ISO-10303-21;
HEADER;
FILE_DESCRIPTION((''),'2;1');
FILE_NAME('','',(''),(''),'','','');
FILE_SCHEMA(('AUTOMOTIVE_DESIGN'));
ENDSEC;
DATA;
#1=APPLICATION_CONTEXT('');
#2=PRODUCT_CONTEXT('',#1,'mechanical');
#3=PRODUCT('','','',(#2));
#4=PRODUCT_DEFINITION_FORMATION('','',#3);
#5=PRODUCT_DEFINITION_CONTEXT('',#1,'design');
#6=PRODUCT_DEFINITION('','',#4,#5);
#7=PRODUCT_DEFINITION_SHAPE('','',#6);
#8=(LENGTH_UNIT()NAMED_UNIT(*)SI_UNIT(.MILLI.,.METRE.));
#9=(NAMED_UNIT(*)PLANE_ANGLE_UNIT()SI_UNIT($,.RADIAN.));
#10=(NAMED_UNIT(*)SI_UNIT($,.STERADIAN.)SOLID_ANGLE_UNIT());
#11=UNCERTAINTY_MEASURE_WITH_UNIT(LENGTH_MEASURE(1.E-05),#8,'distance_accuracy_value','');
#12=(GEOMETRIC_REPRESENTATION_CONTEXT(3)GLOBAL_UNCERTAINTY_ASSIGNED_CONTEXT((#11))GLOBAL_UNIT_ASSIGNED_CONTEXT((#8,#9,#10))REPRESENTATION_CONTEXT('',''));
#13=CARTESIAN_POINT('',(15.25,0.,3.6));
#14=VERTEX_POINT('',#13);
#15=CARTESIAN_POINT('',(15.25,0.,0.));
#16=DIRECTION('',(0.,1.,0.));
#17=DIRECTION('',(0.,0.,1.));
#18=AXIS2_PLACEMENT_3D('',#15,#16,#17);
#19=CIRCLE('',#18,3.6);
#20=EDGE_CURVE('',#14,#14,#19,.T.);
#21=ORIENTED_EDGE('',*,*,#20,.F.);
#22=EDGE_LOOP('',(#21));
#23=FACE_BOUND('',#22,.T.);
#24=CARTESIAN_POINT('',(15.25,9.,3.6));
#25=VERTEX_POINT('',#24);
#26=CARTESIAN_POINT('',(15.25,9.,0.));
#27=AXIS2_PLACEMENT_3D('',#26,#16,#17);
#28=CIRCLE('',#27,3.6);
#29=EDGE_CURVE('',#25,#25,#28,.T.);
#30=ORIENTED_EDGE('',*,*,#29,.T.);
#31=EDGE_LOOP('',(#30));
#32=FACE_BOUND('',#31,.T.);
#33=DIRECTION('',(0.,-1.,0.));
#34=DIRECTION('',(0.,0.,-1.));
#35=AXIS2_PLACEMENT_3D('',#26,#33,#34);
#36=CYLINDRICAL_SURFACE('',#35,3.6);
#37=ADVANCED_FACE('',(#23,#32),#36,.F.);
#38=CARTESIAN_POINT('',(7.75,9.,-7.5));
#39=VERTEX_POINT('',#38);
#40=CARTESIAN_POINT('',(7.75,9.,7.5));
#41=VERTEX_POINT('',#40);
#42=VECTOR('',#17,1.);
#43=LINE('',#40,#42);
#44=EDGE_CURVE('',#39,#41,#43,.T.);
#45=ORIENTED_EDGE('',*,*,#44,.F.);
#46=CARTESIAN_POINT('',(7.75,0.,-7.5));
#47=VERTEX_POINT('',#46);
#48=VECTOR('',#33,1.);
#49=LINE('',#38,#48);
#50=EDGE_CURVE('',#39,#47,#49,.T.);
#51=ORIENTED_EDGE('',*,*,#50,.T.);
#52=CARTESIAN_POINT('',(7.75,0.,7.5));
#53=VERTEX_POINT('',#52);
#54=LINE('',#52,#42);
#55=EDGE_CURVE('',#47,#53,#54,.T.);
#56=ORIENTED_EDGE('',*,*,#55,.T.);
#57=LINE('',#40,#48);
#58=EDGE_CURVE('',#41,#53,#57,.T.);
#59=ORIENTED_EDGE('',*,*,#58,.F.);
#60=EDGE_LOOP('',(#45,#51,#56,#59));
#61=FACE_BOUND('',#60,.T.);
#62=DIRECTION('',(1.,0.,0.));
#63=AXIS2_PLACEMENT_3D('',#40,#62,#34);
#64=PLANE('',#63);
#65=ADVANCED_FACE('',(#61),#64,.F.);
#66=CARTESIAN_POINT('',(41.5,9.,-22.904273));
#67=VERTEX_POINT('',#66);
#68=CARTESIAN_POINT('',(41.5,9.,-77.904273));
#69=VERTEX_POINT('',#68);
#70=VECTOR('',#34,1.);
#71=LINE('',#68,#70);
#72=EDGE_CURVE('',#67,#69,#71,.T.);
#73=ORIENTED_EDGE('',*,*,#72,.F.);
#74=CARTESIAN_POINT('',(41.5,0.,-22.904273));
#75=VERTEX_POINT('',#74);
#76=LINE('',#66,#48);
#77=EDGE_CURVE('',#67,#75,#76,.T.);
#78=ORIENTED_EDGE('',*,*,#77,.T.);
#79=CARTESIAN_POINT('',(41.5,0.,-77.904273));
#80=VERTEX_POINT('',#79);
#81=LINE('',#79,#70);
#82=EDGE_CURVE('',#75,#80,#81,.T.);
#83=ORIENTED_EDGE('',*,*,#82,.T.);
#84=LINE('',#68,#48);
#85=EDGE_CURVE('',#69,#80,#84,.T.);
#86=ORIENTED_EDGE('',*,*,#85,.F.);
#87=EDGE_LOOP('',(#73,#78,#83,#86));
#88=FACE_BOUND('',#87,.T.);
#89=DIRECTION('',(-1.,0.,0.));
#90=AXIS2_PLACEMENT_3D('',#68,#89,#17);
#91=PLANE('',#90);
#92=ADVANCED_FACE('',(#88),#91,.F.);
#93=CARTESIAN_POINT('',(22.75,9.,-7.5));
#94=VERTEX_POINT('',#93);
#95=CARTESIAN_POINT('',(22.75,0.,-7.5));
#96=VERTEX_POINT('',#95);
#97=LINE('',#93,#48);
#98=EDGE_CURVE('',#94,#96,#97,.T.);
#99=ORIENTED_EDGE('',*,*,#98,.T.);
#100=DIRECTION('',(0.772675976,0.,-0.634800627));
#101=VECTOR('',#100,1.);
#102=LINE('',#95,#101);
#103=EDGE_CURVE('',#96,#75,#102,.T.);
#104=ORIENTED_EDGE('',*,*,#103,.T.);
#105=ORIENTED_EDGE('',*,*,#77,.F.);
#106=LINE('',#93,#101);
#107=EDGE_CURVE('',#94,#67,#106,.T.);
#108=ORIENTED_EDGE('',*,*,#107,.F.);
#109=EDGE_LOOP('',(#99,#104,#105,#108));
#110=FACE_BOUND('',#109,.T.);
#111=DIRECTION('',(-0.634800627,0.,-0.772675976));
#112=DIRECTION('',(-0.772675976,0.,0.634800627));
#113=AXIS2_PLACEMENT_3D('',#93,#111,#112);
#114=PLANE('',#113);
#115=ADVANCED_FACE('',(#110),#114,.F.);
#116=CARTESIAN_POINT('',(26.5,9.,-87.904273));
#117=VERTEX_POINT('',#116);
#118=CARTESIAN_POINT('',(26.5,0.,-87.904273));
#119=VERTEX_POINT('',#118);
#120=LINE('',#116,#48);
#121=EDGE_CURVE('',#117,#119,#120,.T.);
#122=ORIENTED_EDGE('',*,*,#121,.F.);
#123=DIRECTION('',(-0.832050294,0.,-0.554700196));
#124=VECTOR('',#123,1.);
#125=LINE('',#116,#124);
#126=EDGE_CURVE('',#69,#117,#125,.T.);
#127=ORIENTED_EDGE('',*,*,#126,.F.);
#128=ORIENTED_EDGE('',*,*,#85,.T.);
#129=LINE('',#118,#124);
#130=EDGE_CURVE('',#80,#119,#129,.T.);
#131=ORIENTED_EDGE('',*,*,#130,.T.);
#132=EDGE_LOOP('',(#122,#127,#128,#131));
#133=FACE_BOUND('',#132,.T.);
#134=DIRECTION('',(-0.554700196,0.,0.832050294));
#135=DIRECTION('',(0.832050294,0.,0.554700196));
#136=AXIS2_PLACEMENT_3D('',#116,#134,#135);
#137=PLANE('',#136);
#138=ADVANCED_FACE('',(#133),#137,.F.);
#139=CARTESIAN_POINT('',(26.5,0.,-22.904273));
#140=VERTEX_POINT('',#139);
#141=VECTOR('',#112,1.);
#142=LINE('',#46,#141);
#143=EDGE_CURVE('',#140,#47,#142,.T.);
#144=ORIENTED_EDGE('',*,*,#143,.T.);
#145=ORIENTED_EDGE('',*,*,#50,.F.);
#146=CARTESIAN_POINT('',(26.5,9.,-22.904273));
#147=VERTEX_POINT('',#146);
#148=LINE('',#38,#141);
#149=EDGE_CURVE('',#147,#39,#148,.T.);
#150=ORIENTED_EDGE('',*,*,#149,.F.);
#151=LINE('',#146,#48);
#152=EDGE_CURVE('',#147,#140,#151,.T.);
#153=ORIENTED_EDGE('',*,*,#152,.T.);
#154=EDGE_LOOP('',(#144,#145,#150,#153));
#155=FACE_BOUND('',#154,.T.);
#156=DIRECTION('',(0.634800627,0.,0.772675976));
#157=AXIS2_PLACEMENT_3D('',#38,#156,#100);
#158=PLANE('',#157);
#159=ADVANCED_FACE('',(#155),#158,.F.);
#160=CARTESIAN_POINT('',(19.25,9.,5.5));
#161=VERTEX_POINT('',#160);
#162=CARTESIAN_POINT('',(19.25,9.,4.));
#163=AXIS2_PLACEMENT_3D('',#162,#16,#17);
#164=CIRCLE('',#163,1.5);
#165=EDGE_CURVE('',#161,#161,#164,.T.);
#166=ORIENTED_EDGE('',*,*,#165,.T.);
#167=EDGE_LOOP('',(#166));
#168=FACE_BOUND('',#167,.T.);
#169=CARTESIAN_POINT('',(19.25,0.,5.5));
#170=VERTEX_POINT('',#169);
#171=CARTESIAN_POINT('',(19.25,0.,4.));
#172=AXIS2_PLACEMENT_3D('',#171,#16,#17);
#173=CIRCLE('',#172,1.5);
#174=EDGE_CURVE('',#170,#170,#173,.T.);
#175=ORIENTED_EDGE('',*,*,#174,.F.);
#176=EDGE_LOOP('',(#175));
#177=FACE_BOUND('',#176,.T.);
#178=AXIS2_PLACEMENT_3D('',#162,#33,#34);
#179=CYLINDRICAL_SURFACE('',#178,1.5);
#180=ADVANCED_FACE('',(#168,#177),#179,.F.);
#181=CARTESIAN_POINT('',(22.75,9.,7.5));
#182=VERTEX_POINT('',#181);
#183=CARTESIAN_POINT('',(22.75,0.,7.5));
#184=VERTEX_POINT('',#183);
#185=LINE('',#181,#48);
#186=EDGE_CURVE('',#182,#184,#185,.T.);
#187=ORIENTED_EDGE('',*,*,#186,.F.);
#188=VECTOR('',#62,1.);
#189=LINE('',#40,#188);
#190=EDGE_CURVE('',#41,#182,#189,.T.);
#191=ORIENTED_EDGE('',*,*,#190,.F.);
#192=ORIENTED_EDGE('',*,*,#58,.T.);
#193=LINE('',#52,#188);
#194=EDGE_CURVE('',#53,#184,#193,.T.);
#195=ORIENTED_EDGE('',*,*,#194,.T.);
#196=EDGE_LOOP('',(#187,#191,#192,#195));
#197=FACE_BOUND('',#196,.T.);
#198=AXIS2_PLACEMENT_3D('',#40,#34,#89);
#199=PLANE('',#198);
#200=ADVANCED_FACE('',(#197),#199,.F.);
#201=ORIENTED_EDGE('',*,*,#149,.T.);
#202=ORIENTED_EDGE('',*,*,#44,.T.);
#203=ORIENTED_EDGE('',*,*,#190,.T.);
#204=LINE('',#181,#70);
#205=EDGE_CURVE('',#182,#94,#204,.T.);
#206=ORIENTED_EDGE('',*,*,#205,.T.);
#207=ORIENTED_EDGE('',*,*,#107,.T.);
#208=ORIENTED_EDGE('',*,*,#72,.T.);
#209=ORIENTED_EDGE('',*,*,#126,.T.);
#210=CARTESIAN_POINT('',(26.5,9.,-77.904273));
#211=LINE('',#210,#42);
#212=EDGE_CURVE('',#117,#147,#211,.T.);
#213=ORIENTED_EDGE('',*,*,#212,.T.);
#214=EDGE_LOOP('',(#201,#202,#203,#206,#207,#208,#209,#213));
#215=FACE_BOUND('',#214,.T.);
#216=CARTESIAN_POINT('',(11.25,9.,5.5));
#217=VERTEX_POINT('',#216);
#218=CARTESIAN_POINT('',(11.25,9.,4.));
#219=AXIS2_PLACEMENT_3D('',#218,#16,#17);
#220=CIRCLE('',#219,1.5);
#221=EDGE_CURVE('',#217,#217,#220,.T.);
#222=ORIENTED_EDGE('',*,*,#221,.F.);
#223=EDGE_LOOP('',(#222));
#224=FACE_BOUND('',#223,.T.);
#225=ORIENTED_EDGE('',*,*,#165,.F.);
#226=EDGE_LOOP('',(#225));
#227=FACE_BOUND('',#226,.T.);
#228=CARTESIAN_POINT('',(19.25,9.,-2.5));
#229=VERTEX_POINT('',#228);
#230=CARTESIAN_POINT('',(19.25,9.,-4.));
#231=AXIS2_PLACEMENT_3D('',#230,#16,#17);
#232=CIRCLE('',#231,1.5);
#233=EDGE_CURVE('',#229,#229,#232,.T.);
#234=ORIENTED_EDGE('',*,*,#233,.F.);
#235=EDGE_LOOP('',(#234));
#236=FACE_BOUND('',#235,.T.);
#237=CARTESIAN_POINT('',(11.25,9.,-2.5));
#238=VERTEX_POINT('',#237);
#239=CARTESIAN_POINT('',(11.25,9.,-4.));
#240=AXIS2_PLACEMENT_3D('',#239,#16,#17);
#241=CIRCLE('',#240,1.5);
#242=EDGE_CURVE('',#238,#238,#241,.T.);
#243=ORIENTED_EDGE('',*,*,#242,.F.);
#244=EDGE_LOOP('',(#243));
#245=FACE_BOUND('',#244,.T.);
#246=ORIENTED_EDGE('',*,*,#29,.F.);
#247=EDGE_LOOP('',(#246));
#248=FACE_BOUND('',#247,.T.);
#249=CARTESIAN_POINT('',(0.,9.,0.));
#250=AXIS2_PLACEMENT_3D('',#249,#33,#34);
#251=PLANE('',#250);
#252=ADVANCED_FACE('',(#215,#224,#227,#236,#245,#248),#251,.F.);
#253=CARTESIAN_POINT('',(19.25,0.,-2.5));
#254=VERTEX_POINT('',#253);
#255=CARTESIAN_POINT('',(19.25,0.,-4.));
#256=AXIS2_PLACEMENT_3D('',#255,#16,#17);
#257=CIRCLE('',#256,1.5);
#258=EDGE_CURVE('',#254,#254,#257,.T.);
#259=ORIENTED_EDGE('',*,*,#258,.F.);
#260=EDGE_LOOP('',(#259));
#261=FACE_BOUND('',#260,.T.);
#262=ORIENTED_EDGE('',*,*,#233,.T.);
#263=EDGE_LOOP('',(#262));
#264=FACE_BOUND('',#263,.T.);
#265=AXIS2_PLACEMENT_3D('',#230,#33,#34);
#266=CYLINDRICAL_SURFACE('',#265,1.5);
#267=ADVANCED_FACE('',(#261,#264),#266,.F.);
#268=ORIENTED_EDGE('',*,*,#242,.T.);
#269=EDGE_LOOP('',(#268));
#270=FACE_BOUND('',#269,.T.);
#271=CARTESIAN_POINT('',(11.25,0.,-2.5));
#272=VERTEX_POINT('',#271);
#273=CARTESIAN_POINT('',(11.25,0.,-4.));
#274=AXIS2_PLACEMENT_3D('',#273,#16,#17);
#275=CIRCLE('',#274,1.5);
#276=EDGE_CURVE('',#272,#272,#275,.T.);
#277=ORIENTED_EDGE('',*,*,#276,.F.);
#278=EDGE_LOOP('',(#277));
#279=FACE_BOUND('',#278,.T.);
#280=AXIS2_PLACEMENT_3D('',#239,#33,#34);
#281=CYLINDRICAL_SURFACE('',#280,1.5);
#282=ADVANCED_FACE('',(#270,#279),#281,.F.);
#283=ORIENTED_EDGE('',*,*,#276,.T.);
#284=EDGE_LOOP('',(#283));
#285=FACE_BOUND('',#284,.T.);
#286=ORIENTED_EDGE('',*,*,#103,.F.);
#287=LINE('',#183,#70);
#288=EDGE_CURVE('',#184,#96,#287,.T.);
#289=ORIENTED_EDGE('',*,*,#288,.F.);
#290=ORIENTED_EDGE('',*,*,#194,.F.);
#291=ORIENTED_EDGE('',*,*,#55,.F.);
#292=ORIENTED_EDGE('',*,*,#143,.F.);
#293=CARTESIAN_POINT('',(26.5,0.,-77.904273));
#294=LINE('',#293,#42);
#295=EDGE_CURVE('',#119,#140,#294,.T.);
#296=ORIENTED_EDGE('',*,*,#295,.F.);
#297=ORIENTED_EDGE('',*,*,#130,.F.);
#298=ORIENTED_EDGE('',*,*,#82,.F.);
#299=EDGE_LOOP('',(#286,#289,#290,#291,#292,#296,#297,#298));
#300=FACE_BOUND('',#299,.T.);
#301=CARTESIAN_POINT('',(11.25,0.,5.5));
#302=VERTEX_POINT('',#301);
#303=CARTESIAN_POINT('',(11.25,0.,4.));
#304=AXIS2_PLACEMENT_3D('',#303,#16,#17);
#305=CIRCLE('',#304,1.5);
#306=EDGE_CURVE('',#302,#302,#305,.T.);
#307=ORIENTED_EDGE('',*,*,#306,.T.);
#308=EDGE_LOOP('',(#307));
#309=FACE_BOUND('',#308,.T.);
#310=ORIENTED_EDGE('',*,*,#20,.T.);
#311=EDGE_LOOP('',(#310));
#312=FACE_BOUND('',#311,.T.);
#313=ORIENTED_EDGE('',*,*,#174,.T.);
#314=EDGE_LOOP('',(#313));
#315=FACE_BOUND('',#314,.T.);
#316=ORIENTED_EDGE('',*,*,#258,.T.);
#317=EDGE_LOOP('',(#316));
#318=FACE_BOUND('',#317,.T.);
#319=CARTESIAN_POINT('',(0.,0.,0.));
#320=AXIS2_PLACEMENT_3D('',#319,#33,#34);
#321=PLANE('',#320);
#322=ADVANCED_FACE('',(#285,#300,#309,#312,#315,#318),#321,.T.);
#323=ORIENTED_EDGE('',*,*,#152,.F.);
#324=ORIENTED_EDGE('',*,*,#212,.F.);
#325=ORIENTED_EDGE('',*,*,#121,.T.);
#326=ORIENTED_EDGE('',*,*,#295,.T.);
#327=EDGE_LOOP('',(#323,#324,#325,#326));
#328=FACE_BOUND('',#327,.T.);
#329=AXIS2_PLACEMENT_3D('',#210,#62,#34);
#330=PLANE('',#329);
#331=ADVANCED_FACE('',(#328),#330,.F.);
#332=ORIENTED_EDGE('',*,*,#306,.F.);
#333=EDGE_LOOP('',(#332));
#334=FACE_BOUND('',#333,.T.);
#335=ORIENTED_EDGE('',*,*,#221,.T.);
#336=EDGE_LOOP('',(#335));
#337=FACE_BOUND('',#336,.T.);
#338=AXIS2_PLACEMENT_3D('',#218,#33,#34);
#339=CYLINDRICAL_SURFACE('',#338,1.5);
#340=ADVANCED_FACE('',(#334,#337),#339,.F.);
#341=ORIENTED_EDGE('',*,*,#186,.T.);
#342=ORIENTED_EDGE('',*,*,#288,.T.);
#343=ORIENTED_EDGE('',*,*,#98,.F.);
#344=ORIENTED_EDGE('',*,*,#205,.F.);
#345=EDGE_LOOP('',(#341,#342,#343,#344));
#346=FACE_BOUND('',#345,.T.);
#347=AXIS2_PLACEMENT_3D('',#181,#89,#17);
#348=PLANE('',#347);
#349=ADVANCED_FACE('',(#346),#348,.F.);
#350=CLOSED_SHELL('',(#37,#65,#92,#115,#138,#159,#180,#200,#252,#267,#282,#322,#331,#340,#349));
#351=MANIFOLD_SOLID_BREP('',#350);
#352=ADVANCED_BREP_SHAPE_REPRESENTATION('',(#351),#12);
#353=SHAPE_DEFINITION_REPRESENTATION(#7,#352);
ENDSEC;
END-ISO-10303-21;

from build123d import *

# Parameters (mm, degrees)
CROQUIS1_R              = 1.5
CROQUIS1_R_2            = 3.6
SALIENTE_EXTRUIR2_DEPTH = 9


with BuildPart() as part:
    # Croquis1 → Saliente-Extruir2 (new body)
    with BuildSketch(Plane(origin=(0, 0, 0), x_dir=(1, 0, 0), z_dir=(0, 1, 0))):
        Polygon((7.75, 7.5), (26.5, 22.904273087), (26.5, 77.904273087), (26.5, 87.904273087), (41.5, 77.904273087), (41.5, 22.904273087), (22.75, 7.5), (22.75, -7.5), (7.75, -7.5), align=None)
        with Locations(Location((19.25, 4, 0), (0, 0, 270))):
            Circle(CROQUIS1_R, mode=Mode.SUBTRACT)
        with Locations(Location((19.25, -4, 0), (0, 0, 270))):
            Circle(CROQUIS1_R, mode=Mode.SUBTRACT)
        with Locations(Location((11.25, -4, 0), (0, 0, 270))):
            Circle(CROQUIS1_R, mode=Mode.SUBTRACT)
        with Locations(Location((11.25, 4, 0), (0, 0, 270))):
            Circle(CROQUIS1_R, mode=Mode.SUBTRACT)
        with Locations(Location((15.25, 0, 0), (0, 0, 270))):
            Circle(CROQUIS1_R_2, mode=Mode.SUBTRACT)
    extrude(amount=SALIENTE_EXTRUIR2_DEPTH)


solid = part.part
